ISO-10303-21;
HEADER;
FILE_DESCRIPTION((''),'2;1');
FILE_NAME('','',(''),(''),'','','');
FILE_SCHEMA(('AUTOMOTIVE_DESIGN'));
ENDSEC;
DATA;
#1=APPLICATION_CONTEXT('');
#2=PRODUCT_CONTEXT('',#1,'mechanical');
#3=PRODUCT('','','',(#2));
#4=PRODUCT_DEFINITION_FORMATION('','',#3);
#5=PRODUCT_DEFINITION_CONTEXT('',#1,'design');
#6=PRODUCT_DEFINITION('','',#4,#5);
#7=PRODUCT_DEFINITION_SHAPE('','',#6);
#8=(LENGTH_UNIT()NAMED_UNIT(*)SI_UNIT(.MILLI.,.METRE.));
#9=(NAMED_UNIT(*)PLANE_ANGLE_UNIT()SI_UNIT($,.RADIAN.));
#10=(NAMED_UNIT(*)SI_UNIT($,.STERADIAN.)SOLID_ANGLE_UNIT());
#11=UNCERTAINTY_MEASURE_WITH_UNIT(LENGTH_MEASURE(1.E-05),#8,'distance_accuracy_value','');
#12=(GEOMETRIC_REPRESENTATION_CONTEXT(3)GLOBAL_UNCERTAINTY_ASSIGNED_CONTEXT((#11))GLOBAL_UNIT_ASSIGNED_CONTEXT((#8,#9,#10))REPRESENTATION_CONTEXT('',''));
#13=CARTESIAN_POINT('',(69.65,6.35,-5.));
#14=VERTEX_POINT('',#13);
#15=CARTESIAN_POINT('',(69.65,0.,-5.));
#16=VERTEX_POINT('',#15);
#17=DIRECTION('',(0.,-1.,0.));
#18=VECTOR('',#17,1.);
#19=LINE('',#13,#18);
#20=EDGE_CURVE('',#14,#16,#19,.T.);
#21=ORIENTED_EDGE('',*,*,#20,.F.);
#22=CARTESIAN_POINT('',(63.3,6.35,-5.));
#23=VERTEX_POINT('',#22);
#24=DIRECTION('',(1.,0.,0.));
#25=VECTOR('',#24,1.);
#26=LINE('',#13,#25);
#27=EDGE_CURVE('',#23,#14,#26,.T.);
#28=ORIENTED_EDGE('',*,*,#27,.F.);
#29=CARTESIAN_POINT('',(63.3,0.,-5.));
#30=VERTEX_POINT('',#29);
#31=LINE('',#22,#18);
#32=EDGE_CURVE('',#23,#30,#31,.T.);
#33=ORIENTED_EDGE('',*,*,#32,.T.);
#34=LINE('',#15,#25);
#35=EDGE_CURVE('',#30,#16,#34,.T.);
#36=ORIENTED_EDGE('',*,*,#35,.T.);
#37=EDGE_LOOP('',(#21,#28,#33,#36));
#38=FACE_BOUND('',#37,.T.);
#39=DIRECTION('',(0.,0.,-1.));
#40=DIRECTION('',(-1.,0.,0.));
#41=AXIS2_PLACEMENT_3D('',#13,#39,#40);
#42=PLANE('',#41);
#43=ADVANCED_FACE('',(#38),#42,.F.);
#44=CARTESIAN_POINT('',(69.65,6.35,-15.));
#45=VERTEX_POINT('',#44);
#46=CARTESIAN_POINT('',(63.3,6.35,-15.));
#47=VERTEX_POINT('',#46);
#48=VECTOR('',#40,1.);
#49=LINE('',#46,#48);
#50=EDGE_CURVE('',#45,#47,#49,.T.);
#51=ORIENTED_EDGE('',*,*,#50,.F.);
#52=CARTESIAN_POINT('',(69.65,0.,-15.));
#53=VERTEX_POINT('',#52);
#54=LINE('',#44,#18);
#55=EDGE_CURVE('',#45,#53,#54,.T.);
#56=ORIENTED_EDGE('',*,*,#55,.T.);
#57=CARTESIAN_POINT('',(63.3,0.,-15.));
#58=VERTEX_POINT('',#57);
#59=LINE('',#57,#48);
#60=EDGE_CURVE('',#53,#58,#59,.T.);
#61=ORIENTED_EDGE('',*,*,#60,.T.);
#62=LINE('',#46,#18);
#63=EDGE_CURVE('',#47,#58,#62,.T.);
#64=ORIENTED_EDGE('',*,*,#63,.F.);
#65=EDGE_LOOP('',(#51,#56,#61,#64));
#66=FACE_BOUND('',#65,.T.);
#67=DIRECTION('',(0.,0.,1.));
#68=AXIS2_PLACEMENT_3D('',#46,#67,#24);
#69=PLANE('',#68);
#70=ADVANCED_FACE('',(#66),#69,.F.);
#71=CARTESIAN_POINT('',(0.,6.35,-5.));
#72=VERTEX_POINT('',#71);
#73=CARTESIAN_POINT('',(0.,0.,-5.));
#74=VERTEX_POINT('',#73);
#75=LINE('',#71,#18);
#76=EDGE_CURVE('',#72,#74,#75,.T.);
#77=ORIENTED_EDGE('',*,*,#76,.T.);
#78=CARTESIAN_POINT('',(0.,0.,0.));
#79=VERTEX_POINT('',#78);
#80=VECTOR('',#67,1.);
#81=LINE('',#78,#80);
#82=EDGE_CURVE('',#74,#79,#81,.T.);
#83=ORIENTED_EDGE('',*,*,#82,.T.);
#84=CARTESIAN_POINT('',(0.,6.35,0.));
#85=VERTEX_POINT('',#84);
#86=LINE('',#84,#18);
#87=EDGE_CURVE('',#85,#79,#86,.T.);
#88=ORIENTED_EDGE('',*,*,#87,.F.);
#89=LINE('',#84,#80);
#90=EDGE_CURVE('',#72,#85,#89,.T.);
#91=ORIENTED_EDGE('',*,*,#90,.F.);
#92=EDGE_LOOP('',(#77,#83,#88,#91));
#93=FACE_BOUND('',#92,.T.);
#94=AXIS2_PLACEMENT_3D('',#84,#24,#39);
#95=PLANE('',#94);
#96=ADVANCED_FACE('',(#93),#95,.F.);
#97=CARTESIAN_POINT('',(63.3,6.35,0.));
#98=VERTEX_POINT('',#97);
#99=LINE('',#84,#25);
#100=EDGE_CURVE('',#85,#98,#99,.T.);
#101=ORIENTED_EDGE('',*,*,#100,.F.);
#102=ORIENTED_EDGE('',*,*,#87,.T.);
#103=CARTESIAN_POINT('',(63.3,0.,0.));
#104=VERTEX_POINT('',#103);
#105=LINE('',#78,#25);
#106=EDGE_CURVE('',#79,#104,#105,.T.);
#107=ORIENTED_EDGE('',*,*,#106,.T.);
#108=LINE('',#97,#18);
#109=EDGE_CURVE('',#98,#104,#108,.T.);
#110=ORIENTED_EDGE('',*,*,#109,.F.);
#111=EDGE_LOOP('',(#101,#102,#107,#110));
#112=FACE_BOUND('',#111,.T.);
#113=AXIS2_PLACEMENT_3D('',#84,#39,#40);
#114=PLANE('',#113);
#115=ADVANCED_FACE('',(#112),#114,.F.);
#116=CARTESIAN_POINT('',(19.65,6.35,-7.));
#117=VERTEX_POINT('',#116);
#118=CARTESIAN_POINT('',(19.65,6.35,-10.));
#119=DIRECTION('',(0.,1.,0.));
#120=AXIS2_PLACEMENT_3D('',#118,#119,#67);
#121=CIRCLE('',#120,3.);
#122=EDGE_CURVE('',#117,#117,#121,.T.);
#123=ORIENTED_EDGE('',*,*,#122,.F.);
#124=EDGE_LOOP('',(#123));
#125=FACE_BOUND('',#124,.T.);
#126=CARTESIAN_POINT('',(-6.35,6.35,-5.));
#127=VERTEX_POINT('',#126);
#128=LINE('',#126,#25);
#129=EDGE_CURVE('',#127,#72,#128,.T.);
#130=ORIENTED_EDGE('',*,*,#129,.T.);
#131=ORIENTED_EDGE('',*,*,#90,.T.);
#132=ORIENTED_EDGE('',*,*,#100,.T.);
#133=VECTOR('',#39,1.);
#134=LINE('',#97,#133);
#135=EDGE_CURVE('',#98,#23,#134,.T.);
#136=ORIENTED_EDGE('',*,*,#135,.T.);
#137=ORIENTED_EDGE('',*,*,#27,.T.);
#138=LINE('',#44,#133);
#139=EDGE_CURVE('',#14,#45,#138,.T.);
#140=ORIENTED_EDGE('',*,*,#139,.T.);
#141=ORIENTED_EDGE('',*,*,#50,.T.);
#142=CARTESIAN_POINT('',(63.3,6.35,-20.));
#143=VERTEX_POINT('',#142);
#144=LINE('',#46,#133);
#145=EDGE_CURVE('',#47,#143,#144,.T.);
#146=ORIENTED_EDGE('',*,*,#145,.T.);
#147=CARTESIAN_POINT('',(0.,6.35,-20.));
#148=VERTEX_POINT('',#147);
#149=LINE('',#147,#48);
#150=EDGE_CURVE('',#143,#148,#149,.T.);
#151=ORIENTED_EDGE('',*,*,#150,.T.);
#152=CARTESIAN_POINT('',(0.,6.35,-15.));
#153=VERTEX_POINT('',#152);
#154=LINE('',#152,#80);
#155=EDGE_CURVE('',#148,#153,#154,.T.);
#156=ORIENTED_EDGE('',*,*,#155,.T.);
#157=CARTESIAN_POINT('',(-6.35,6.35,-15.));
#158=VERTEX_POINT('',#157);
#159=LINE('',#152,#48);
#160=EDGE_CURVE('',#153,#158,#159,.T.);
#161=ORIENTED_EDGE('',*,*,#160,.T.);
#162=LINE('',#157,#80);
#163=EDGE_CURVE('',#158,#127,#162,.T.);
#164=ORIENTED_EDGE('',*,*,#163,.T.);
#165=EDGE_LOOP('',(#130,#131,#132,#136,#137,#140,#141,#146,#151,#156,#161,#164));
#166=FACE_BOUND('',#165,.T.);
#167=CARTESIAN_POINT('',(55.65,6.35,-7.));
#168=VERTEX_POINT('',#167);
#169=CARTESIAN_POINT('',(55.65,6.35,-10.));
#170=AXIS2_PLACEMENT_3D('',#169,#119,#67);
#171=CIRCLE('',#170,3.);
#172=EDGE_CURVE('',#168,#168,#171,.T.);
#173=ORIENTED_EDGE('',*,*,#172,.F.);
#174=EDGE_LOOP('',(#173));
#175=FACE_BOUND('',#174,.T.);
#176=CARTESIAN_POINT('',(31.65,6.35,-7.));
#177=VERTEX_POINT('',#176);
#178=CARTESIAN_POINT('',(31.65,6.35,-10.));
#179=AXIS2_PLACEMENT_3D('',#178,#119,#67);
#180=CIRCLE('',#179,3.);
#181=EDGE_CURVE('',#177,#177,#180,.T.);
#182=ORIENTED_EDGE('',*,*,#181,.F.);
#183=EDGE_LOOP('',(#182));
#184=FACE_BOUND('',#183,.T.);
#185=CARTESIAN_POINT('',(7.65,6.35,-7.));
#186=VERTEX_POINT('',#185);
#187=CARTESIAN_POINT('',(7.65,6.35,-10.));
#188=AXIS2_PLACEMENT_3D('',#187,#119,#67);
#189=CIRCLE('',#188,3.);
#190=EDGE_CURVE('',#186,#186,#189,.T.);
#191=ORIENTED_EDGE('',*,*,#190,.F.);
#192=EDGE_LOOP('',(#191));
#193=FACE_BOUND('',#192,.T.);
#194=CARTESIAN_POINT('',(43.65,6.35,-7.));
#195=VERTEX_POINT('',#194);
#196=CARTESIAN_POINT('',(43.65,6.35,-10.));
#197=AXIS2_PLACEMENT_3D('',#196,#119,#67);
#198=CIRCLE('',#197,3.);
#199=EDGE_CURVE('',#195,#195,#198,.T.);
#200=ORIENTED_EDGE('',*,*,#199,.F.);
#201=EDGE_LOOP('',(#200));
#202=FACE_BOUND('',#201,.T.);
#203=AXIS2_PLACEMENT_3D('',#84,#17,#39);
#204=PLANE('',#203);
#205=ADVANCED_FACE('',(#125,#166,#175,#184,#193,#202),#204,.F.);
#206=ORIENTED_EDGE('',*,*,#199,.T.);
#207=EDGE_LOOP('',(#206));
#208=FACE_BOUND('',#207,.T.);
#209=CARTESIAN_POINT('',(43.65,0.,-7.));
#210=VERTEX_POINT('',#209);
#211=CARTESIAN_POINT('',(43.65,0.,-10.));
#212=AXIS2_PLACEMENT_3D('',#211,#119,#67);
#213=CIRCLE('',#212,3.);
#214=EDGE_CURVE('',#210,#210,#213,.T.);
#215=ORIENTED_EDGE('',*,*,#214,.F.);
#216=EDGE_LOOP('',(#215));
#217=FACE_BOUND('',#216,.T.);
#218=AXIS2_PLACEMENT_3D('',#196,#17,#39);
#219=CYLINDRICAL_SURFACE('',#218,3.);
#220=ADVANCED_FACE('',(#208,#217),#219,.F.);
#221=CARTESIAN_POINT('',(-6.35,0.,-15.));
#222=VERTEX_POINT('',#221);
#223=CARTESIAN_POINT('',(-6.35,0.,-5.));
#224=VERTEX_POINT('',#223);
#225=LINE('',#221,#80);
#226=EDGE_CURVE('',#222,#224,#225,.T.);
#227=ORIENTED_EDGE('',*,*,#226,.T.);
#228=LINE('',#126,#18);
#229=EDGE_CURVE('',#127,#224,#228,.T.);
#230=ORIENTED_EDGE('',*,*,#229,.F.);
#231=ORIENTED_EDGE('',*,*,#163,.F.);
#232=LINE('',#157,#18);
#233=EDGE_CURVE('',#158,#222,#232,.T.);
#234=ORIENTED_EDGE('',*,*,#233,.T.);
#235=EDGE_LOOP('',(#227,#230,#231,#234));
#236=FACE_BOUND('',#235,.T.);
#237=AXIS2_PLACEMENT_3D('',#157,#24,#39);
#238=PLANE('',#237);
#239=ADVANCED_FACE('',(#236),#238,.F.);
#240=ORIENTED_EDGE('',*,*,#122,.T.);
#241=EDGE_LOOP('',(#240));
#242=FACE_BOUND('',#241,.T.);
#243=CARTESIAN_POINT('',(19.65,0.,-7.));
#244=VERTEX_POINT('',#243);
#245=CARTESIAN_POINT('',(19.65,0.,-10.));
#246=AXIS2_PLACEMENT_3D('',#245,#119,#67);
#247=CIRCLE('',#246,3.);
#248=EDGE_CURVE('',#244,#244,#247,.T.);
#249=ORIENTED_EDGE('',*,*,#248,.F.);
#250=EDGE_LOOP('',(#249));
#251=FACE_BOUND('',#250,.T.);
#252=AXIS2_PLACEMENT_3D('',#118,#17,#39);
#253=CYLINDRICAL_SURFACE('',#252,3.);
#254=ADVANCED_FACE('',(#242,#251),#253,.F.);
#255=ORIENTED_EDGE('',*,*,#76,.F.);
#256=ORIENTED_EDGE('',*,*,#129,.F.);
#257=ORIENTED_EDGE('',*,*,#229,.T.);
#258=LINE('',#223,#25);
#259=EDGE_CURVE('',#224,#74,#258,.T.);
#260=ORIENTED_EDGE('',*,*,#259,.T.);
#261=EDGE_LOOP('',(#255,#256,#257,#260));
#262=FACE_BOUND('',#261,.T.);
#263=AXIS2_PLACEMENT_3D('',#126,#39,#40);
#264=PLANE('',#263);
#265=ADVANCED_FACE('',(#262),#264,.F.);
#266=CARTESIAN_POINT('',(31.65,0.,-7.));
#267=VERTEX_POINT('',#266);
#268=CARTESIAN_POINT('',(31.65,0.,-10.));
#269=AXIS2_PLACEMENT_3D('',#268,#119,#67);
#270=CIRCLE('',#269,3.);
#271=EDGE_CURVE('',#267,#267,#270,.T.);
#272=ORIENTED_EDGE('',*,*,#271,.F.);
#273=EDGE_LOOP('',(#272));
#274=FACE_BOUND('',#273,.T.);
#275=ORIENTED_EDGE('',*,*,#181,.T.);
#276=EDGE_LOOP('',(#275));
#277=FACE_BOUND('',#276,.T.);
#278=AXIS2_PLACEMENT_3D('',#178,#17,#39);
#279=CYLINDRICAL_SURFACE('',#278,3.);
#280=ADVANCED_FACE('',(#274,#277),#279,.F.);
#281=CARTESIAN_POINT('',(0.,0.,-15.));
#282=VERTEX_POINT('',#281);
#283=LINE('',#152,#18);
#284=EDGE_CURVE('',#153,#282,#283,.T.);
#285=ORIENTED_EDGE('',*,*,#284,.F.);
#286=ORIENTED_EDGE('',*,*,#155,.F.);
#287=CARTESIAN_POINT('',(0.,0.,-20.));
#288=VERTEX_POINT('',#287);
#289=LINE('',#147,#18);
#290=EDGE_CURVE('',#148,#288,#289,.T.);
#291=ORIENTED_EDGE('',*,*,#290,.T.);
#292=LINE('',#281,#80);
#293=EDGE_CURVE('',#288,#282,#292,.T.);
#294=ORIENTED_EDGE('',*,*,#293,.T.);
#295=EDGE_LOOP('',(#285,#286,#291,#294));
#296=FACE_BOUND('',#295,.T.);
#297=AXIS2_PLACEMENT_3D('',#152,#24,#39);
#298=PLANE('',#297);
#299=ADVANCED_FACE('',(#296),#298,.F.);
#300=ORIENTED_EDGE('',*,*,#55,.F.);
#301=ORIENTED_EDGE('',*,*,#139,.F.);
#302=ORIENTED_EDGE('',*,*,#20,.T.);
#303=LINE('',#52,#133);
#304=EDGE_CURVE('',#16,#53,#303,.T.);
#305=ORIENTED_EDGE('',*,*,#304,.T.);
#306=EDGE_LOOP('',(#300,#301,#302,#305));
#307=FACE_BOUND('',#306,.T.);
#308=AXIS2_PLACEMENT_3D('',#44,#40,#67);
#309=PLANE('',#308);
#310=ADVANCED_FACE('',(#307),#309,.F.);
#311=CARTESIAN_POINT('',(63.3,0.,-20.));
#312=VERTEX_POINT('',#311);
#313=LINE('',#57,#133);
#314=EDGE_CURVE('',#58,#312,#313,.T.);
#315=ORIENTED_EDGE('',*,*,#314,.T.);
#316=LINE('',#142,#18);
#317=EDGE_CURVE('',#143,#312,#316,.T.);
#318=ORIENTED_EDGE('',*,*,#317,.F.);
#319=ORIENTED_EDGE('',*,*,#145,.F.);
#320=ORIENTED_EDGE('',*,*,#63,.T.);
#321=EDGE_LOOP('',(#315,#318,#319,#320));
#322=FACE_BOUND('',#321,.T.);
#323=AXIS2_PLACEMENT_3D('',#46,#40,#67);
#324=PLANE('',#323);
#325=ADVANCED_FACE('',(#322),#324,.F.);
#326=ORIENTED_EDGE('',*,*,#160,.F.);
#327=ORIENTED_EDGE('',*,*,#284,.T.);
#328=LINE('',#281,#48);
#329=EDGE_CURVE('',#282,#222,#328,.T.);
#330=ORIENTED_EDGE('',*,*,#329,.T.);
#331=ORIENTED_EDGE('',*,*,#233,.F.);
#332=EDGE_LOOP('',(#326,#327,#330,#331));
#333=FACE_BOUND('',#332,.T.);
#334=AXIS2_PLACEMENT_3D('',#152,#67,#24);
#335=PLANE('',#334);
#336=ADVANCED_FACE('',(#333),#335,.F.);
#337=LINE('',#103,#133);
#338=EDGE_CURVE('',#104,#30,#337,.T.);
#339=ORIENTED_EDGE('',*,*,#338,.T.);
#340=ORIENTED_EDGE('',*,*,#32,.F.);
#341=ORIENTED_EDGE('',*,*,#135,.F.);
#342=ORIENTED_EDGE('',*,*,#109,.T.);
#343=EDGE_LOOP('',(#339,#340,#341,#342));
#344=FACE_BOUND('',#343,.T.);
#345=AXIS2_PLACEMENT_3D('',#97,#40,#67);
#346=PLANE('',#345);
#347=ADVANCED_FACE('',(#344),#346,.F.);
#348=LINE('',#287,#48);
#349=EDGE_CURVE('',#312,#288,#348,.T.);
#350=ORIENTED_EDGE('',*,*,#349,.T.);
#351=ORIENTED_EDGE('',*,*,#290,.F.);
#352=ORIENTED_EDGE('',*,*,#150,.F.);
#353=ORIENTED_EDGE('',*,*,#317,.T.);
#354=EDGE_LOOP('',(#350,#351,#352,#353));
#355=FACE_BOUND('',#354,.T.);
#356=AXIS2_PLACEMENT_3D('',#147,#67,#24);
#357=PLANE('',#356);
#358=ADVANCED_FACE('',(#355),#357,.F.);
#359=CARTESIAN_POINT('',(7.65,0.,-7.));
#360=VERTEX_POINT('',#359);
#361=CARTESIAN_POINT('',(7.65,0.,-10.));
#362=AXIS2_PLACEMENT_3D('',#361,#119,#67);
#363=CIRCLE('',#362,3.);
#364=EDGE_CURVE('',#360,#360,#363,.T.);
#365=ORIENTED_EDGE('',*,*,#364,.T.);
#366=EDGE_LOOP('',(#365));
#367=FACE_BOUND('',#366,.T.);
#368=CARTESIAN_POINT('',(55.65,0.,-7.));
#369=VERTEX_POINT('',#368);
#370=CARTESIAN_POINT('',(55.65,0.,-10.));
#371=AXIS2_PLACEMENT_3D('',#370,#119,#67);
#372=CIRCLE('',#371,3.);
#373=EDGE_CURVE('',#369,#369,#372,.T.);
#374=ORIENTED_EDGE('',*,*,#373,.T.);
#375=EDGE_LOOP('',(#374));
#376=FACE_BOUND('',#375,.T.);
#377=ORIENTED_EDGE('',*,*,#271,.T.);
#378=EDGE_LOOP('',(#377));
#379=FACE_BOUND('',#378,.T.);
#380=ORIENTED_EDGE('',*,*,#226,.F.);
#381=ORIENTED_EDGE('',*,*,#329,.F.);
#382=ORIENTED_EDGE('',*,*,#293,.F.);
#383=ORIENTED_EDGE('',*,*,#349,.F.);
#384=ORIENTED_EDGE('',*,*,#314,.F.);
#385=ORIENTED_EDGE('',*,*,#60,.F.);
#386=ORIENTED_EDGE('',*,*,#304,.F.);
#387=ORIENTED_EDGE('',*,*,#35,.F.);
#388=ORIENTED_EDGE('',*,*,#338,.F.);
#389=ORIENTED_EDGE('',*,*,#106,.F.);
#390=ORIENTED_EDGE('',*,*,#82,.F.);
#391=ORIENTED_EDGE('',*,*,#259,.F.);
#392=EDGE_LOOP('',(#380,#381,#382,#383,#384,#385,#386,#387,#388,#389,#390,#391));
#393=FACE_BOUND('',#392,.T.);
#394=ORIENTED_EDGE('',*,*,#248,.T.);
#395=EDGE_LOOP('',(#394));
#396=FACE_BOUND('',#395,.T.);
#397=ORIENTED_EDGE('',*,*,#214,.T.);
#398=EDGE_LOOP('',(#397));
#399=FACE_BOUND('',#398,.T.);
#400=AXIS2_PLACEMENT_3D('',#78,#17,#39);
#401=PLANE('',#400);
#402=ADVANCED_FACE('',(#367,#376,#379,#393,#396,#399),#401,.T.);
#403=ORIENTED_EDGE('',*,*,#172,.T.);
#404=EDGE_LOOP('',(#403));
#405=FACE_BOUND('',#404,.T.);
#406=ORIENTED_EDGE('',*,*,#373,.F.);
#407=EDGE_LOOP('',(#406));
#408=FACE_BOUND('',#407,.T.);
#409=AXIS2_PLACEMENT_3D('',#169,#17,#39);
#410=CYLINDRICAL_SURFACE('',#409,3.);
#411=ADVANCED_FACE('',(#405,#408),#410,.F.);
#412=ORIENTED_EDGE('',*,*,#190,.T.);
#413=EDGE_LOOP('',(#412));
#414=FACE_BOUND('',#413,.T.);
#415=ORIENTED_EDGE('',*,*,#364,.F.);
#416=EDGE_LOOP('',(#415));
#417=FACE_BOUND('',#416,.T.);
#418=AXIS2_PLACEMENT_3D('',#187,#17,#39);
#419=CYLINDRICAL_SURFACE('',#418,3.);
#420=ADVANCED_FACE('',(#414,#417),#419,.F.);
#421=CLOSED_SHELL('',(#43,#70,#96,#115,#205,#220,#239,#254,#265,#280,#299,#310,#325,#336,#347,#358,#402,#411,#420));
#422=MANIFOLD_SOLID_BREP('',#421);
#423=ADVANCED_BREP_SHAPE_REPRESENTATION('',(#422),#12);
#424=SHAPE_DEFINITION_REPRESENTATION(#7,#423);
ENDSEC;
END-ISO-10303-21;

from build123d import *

# Parameters (mm, degrees)
SKETCH1_R           = 3
BOSS_EXTRUDE1_DEPTH = 6.35


with BuildPart() as part:
    # Sketch1 → Boss-Extrude1 (new body)
    with BuildSketch(Plane(origin=(0, 0, 0), x_dir=(1, 0, 0), z_dir=(0, 1, 0))):
        Polygon((0, 0), (63.3, 0), (63.3, 5), (69.65, 5), (69.65, 15), (63.3, 15), (63.3, 20), (0, 20), (0, 15), (-6.35, 15), (-6.35, 5), (0, 5), align=None)
        with Locations(Location((7.65, 10, 0), (0, 0, 270))):
            Circle(SKETCH1_R, mode=Mode.SUBTRACT)
        with Locations(Location((19.65, 10, 0), (0, 0, 270))):
            Circle(SKETCH1_R, mode=Mode.SUBTRACT)
        with Locations(Location((31.65, 10, 0), (0, 0, 270))):
            Circle(SKETCH1_R, mode=Mode.SUBTRACT)
        with Locations(Location((43.65, 10, 0), (0, 0, 270))):
            Circle(SKETCH1_R, mode=Mode.SUBTRACT)
        with Locations(Location((55.65, 10, 0), (0, 0, 270))):
            Circle(SKETCH1_R, mode=Mode.SUBTRACT)
    extrude(amount=BOSS_EXTRUDE1_DEPTH)


solid = part.part
